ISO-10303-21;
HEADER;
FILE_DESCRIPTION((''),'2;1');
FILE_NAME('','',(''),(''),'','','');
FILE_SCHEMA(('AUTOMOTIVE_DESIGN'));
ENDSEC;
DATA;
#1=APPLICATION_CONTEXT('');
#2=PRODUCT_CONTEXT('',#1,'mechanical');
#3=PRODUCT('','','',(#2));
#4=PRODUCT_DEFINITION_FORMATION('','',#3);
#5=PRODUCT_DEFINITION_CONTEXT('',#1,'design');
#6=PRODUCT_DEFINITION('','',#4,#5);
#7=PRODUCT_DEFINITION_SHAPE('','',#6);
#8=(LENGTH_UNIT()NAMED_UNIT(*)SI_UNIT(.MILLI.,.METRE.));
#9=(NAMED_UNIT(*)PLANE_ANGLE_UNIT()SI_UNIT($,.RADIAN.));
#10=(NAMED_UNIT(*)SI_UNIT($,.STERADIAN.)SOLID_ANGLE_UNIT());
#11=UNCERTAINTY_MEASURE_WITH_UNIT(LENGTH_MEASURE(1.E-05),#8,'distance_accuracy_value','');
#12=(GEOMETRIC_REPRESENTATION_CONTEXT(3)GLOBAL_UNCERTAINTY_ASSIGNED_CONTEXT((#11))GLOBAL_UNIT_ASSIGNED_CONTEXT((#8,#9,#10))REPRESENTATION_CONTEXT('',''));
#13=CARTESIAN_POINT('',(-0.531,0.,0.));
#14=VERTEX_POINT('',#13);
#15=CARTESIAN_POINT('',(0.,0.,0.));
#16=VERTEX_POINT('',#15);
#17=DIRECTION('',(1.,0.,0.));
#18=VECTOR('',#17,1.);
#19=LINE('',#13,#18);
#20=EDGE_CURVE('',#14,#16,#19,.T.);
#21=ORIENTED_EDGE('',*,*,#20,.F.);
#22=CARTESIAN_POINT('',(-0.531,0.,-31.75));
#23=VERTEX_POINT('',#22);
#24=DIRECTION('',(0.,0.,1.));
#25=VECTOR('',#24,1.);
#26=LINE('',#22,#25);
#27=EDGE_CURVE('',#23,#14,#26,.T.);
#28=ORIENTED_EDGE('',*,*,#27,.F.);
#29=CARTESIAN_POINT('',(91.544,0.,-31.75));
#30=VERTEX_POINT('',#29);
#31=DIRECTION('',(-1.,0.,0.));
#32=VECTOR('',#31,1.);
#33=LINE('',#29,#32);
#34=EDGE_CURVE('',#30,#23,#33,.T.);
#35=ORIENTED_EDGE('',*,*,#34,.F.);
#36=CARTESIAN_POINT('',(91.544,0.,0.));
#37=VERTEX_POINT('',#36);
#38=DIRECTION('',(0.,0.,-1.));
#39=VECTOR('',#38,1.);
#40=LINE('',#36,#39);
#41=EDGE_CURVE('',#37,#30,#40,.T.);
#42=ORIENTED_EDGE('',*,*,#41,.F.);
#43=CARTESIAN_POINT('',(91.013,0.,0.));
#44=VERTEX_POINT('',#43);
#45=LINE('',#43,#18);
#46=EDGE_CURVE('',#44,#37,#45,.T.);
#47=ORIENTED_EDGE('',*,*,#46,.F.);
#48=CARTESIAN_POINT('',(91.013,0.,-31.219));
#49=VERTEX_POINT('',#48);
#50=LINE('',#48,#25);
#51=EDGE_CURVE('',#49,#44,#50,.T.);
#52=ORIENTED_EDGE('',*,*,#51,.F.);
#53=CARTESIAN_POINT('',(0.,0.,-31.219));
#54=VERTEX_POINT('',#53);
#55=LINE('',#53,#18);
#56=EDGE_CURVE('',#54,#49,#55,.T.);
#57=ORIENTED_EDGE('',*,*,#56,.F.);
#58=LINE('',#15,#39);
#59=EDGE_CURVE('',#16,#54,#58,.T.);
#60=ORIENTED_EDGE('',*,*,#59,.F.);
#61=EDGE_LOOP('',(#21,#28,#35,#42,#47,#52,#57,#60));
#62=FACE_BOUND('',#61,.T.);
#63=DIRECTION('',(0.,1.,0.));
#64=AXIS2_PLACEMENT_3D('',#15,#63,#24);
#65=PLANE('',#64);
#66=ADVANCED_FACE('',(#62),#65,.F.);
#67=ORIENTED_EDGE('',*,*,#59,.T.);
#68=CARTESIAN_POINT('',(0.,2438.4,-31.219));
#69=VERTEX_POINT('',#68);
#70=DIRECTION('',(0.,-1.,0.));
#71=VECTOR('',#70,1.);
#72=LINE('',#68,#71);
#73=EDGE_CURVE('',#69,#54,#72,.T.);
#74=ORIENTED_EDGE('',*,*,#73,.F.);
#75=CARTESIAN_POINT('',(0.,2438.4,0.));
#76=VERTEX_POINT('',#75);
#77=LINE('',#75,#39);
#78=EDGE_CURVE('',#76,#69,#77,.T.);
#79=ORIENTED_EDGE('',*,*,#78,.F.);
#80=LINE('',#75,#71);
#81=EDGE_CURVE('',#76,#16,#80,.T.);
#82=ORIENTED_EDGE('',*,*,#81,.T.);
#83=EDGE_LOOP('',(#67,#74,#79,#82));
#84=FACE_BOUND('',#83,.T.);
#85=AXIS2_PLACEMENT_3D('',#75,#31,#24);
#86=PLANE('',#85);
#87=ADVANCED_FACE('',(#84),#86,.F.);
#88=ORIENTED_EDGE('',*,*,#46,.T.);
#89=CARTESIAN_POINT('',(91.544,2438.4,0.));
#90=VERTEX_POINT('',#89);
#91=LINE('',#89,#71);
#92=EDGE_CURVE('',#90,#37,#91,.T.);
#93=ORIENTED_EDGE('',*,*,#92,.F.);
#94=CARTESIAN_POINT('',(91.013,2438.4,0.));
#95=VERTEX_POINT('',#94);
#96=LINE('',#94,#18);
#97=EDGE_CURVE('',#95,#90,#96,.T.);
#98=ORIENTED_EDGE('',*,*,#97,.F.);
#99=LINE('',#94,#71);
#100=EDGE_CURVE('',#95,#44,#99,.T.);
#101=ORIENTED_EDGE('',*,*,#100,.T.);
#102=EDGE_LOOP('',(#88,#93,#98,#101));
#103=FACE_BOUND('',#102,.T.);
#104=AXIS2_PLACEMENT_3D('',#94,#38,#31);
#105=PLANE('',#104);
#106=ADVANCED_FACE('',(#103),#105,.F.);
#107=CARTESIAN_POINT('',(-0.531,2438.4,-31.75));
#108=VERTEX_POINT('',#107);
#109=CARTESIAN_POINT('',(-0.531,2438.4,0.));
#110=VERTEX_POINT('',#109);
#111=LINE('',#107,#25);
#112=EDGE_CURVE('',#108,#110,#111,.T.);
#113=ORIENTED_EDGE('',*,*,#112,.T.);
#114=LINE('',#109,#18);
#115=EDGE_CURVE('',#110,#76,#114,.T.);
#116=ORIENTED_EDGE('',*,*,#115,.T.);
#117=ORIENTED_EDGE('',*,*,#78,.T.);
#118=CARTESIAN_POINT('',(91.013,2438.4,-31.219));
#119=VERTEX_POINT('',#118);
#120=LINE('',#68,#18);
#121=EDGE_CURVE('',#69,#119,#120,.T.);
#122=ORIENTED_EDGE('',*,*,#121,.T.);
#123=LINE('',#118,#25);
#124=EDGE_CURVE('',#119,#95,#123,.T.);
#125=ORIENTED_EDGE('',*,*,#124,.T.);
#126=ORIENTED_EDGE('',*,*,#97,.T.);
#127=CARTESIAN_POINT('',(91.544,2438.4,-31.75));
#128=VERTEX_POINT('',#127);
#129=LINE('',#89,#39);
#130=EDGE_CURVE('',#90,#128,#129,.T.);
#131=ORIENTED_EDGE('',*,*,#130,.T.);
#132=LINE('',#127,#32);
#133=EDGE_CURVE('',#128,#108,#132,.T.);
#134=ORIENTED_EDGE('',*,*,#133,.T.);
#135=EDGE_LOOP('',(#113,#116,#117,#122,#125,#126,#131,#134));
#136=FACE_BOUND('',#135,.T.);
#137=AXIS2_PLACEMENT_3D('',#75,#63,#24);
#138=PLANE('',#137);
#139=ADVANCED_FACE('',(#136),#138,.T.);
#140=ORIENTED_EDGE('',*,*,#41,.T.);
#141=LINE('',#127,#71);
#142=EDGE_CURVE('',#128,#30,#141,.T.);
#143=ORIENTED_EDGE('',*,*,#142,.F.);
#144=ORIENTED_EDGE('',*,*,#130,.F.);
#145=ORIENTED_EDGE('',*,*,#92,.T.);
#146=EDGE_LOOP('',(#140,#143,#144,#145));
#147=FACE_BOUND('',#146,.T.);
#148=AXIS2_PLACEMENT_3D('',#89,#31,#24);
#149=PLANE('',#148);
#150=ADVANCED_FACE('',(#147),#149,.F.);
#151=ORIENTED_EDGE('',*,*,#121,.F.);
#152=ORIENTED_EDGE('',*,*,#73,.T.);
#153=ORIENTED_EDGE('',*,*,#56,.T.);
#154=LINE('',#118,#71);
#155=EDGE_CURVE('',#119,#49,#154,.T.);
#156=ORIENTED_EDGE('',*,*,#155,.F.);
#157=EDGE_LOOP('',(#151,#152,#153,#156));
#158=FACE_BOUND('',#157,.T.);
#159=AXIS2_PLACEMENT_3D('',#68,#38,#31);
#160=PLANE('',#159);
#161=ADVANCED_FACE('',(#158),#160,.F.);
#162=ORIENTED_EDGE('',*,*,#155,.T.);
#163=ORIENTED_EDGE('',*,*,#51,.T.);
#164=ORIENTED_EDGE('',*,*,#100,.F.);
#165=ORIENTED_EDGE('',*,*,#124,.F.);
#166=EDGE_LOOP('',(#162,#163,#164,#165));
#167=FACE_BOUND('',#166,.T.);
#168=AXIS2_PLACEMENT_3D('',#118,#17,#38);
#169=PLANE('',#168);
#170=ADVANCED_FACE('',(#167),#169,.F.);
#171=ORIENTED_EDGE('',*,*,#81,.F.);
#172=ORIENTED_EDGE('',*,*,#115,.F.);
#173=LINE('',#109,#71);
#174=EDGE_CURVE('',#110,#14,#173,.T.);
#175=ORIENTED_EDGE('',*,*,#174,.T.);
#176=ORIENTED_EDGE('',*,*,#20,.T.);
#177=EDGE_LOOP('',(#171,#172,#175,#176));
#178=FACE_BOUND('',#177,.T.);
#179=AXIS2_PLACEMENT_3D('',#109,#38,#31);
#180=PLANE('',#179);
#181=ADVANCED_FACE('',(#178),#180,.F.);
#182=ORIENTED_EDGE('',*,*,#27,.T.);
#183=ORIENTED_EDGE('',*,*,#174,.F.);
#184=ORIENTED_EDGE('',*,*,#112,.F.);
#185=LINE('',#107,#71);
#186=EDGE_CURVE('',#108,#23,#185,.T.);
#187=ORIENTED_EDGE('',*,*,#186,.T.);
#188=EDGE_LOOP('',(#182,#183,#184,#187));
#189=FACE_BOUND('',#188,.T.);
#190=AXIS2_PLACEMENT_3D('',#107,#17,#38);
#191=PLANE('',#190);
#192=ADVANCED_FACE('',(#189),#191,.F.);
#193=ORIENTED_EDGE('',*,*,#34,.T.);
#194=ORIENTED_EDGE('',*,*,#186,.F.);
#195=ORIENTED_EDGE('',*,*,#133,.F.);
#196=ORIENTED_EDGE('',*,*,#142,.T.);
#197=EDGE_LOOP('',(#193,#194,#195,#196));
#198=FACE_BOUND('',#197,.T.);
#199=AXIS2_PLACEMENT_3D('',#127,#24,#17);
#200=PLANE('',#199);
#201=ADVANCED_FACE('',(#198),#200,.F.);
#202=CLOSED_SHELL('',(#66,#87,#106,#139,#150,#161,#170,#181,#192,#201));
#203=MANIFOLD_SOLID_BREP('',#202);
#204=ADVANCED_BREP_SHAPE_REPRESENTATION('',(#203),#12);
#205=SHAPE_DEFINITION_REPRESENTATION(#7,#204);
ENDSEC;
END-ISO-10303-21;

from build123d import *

# Parameters (mm, degrees)
BOSS_EXTRUDE1_DEPTH = 2438.4


with BuildPart() as part:
    # Sketch1 → Boss-Extrude1 (new body)
    with BuildSketch(Plane(origin=(0, 0, 0), x_dir=(1, 0, 0), z_dir=(0, 1, 0))):
        Polygon((0, 0), (0, 31.219), (91.013, 31.219), (91.013, 0), (91.544, 0), (91.544, 31.75), (-0.531, 31.75), (-0.531, 0), align=None)
    extrude(amount=BOSS_EXTRUDE1_DEPTH)


solid = part.part
